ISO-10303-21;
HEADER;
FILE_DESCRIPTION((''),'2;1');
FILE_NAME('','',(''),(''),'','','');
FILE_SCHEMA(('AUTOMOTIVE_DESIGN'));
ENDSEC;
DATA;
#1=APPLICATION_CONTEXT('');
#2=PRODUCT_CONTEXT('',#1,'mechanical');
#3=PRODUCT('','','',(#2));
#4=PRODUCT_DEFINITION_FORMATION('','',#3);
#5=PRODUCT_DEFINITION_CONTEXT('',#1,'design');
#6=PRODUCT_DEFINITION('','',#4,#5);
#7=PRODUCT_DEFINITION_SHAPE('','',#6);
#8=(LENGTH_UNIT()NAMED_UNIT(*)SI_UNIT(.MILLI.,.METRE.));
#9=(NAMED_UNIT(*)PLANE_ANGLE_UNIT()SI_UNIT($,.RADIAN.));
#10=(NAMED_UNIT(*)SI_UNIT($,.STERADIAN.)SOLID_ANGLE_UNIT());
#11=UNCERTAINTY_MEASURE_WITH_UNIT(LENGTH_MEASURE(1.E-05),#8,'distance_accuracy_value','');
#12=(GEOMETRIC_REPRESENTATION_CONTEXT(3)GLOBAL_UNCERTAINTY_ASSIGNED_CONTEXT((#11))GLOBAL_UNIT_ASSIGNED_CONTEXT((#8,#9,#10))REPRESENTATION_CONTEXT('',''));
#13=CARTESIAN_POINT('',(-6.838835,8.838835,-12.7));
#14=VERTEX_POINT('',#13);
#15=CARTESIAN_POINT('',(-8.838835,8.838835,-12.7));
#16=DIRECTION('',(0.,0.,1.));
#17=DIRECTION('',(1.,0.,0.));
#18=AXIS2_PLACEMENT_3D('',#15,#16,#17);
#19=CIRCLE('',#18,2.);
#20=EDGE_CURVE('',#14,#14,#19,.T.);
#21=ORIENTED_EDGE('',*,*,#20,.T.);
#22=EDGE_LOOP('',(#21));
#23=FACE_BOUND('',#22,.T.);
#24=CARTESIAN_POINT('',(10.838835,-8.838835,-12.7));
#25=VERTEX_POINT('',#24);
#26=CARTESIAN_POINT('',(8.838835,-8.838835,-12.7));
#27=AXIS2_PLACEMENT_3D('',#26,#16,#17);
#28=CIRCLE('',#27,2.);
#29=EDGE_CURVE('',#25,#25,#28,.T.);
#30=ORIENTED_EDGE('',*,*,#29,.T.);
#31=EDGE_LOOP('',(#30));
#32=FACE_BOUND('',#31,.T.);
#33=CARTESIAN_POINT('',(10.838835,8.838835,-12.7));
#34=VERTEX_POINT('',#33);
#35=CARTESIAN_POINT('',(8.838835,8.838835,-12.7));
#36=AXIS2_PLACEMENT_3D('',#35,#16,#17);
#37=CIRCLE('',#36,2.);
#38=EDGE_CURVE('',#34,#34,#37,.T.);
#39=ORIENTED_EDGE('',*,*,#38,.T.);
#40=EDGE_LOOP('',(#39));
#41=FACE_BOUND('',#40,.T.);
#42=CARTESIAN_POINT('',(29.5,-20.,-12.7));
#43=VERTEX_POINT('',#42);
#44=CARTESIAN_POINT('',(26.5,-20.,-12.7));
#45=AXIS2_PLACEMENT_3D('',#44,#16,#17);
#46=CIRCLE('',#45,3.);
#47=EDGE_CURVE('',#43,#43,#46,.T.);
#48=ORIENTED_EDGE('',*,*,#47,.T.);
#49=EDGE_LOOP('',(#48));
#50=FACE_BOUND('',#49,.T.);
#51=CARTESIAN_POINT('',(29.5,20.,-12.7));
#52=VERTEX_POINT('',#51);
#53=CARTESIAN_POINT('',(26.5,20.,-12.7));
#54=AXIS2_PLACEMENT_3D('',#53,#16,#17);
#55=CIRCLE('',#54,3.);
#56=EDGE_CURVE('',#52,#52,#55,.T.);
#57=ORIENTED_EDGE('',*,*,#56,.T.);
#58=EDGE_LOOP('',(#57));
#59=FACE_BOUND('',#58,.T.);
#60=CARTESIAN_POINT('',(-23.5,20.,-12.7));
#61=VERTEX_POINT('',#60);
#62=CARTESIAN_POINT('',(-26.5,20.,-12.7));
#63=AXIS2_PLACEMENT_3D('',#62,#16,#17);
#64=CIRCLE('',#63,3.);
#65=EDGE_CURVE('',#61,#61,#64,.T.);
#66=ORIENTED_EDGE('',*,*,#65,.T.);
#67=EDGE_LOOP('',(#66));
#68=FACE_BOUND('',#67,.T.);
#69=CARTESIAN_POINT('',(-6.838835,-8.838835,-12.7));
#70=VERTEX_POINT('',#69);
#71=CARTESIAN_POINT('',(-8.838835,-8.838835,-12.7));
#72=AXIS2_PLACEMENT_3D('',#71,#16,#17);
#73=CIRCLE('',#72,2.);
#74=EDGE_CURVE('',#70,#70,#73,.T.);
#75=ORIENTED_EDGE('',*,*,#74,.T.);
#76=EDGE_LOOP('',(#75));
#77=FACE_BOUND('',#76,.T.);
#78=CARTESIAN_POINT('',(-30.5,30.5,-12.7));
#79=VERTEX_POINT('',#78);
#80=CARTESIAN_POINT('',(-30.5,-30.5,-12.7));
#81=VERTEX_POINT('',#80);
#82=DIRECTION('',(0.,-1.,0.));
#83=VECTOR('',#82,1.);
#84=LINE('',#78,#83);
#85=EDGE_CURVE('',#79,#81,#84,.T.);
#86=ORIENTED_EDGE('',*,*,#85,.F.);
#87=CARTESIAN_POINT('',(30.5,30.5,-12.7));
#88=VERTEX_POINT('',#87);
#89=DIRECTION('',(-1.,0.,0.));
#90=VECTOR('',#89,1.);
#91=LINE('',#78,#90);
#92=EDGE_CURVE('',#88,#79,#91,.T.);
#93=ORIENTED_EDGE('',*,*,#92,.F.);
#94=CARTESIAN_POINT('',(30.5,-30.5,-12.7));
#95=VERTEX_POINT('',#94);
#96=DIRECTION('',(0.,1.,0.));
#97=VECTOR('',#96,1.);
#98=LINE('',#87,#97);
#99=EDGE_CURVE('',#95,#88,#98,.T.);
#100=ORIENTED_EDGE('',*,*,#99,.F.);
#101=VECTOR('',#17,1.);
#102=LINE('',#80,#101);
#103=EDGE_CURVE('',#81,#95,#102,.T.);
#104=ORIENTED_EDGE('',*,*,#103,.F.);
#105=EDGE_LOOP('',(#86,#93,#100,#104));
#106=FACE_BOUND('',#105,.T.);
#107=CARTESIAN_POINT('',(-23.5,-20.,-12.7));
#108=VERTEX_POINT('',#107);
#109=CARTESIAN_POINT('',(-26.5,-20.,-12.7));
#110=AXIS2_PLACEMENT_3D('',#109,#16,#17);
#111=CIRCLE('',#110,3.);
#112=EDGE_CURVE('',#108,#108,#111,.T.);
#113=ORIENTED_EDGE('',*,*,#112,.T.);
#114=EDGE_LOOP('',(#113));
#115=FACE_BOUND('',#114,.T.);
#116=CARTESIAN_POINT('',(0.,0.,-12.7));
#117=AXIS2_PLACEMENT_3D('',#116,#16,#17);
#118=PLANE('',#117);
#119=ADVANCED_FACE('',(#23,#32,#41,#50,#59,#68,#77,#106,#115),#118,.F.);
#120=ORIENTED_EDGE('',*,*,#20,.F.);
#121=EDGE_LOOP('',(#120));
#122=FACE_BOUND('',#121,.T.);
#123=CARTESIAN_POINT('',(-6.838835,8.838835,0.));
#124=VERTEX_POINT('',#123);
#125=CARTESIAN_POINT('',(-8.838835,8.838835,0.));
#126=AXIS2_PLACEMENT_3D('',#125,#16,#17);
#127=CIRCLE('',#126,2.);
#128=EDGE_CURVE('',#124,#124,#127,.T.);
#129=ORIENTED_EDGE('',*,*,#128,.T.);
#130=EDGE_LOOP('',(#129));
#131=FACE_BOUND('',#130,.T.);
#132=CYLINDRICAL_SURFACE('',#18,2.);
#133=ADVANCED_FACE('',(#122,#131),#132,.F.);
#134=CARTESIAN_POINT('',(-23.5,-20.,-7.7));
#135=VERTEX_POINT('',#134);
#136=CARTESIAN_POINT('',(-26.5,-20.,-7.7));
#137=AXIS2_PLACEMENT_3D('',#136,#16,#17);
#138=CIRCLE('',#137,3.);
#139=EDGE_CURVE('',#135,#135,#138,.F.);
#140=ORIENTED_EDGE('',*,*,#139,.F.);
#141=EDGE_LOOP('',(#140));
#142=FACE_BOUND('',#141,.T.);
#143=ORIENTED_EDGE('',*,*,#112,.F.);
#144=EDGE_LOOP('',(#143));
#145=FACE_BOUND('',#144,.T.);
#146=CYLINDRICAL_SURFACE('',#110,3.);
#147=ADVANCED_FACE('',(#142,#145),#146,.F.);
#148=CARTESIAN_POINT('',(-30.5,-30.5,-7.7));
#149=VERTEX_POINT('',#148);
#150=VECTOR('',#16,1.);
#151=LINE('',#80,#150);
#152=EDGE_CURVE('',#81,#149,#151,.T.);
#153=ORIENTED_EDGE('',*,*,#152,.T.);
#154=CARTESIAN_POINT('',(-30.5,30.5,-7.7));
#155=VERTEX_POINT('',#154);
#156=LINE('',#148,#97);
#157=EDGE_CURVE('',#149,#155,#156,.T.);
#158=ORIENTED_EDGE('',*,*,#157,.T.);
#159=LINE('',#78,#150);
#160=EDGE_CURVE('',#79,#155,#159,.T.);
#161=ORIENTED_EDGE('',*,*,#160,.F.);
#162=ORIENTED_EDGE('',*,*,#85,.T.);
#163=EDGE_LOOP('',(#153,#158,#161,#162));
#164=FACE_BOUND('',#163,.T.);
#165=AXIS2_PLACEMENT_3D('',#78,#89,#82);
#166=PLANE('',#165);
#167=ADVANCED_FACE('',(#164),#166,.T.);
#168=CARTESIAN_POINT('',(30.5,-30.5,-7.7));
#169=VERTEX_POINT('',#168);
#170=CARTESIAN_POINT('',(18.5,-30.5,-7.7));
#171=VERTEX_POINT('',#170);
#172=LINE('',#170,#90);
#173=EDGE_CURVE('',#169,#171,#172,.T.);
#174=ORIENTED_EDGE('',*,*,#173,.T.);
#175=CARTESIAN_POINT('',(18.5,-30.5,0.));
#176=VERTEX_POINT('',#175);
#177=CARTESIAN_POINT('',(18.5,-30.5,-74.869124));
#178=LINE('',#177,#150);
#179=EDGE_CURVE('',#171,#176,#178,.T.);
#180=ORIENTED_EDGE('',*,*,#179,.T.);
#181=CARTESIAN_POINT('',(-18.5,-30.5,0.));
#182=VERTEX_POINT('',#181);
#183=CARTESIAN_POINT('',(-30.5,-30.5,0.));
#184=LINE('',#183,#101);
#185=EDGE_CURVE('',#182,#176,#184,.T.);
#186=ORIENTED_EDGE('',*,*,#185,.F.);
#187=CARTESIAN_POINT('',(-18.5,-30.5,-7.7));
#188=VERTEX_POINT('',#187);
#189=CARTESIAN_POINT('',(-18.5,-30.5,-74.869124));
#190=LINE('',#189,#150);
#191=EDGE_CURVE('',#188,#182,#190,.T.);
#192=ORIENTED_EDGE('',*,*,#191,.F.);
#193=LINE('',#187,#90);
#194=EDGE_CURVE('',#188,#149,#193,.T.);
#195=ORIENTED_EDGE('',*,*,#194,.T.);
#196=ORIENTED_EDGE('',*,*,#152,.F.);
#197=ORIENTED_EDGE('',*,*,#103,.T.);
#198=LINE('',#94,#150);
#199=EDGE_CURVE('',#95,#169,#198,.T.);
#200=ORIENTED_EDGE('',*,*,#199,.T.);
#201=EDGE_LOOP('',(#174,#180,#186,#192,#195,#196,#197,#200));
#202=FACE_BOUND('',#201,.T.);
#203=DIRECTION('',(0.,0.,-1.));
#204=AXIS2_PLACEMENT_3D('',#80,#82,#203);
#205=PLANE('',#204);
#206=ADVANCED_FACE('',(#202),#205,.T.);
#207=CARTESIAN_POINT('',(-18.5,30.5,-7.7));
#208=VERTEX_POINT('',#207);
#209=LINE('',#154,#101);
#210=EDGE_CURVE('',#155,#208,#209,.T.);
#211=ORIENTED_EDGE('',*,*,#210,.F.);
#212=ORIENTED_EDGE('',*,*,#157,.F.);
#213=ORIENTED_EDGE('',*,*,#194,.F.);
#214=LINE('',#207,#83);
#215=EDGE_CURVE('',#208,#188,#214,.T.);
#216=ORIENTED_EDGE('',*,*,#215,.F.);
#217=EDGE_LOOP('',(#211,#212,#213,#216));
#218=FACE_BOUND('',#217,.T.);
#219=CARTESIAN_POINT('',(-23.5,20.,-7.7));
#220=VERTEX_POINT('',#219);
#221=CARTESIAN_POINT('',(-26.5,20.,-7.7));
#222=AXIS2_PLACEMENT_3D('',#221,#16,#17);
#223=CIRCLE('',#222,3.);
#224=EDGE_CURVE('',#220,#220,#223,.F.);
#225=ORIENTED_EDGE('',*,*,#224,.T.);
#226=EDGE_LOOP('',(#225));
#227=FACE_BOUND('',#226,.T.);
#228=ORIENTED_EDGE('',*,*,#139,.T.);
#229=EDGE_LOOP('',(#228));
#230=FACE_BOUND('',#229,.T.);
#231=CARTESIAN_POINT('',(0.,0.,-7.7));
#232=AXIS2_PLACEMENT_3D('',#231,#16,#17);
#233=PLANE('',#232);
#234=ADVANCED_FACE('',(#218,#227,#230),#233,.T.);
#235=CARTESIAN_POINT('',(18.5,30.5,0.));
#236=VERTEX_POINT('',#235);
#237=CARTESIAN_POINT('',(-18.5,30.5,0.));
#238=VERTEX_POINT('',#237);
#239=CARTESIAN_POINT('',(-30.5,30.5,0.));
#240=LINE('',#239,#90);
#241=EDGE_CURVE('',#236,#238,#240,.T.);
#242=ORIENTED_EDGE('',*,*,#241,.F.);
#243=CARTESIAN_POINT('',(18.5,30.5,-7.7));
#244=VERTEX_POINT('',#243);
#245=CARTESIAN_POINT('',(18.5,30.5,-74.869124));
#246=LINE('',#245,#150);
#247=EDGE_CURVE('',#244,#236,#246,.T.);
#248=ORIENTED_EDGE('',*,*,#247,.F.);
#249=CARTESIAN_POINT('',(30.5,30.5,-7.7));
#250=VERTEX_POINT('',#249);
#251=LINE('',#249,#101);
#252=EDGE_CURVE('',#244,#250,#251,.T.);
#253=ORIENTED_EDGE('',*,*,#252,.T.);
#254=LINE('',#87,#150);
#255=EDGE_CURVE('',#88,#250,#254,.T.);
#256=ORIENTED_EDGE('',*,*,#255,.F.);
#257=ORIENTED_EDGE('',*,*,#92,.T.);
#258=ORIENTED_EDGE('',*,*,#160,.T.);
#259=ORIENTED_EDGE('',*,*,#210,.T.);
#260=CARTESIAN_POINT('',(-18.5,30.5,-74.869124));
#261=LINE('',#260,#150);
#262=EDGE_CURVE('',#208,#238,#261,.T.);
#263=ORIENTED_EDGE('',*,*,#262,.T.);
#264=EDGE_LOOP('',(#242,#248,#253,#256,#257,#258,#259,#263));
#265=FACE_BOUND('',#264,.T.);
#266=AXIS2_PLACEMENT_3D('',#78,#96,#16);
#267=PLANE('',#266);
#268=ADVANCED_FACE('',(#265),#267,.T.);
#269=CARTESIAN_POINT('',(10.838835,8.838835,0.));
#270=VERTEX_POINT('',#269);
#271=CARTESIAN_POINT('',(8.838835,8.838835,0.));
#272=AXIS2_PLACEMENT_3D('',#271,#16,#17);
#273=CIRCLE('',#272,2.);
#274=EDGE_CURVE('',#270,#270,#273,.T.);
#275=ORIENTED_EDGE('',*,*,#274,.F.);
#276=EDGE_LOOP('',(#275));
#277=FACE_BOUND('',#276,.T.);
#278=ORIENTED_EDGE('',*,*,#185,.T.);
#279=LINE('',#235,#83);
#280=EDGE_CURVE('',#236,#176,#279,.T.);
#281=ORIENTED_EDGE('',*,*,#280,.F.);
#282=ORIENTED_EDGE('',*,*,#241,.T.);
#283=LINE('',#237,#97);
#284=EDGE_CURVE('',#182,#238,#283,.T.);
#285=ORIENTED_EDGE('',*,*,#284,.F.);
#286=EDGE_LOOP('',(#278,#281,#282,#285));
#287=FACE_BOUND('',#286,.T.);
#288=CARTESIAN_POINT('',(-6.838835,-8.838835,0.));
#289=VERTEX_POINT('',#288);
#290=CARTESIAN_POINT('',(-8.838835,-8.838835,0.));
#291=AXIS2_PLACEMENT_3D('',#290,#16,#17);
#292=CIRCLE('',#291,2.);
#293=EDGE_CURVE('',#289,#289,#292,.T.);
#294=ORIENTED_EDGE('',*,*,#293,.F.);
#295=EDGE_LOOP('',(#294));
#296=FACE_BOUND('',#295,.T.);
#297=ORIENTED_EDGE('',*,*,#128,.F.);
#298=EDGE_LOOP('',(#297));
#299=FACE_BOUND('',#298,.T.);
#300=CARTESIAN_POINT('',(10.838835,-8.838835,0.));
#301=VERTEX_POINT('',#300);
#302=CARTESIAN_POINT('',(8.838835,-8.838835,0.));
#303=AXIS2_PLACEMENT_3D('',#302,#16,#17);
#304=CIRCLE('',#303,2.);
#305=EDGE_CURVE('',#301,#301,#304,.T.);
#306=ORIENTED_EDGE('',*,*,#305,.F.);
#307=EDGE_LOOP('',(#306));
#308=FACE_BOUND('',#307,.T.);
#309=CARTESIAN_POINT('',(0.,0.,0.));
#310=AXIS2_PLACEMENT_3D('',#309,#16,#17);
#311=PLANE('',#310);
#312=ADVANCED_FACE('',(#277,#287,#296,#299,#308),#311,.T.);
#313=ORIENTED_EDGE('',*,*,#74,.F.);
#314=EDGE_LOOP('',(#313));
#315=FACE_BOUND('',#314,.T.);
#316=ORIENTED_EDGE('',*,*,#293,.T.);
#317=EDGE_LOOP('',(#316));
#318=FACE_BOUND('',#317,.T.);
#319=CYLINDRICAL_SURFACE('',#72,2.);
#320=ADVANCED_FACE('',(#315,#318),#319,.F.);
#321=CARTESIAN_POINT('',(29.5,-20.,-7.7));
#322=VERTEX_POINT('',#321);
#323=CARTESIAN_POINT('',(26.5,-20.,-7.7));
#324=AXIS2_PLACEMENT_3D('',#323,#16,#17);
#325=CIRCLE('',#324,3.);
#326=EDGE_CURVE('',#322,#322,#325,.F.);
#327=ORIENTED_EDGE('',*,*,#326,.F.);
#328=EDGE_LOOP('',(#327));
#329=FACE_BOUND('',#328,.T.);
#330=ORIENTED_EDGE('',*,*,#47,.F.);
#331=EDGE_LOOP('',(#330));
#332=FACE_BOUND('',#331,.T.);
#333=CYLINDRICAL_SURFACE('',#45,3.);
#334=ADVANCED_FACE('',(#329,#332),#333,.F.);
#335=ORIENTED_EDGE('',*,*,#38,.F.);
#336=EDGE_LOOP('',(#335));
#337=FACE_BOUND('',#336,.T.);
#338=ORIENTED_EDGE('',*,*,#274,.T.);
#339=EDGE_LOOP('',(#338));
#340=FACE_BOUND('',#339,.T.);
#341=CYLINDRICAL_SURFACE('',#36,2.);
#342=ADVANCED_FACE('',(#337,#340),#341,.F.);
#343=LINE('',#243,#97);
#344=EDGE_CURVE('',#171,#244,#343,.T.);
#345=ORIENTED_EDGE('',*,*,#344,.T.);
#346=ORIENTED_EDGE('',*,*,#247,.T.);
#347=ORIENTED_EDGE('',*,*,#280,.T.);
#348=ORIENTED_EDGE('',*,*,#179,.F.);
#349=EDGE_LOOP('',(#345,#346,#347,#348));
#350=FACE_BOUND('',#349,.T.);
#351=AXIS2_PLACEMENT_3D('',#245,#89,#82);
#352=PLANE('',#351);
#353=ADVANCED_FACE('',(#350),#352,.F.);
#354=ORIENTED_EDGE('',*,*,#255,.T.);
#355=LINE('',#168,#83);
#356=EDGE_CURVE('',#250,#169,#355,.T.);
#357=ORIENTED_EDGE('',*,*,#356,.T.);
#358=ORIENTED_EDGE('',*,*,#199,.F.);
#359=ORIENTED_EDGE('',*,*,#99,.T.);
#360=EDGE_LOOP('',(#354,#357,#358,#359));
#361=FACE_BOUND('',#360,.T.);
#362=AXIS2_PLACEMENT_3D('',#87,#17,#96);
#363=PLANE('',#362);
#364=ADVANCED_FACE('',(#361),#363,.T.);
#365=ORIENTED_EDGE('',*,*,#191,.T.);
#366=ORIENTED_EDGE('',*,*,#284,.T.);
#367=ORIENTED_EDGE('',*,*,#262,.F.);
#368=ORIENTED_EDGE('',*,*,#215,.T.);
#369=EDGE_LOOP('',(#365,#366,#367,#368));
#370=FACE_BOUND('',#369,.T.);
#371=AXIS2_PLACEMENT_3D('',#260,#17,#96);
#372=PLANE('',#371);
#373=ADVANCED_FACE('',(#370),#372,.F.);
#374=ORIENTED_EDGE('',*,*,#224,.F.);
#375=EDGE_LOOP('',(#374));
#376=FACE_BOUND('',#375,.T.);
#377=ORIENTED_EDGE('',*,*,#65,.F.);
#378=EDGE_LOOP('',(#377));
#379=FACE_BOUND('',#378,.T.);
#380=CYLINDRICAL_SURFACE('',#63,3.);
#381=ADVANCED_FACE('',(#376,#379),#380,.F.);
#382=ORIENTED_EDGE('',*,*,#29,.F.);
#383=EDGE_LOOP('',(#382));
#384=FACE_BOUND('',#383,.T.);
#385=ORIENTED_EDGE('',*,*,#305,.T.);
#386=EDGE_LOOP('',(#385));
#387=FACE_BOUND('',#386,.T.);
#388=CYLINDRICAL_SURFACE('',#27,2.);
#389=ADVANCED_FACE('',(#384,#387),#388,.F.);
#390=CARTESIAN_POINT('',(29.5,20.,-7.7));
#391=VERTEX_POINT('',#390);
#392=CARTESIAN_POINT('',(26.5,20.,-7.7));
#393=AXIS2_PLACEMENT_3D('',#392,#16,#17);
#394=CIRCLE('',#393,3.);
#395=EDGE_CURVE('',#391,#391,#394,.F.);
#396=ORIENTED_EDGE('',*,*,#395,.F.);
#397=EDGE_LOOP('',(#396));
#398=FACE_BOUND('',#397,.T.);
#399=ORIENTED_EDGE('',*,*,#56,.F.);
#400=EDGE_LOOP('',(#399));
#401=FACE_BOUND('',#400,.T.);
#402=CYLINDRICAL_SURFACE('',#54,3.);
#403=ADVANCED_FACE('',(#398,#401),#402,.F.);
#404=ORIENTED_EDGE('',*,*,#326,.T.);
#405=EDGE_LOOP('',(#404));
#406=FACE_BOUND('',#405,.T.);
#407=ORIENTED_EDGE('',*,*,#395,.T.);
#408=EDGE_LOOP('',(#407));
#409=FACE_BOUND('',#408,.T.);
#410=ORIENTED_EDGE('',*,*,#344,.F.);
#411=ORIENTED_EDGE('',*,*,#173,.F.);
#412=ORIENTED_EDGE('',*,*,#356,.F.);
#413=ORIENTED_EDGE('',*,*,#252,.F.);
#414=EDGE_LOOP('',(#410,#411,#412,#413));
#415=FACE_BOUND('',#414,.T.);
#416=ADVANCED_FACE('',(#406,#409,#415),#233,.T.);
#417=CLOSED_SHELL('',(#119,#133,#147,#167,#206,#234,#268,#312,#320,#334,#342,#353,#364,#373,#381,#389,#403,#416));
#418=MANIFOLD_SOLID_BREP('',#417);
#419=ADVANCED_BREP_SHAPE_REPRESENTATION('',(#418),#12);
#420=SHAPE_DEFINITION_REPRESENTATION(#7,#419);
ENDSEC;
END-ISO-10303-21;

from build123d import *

# Parameters (mm, degrees)
SKETCH1_W           = 61
SKETCH1_H           = 61
BOSS_EXTRUDE1_DEPTH = 12.7
SKETCH2_R           = 2
CUT_EXTRUDE1_DEPTH  = 45.964319188
SKETCH3_R           = 3
CUT_EXTRUDE2_DEPTH  = 45.964319188
SKETCH4_W           = 12
SKETCH4_H           = 61
CUT_EXTRUDE3_DEPTH  = 7.7


with BuildPart() as part:
    # Sketch1 → Boss-Extrude1 (new body)
    with BuildSketch(Plane.XY):
        Rectangle(SKETCH1_W, SKETCH1_H)
    extrude(amount=-BOSS_EXTRUDE1_DEPTH)

    # Sketch2 → Cut-Extrude1 (cut, through all)
    with BuildSketch(Plane.XY):
        with Locations((8.838834765, 8.838834765)):
            Circle(SKETCH2_R)
        with Locations((-8.838834765, 8.838834765)):
            Circle(SKETCH2_R)
        with Locations((-8.838834765, -8.838834765)):
            Circle(SKETCH2_R)
        with Locations((8.838834765, -8.838834765)):
            Circle(SKETCH2_R)
    extrude(amount=-CUT_EXTRUDE1_DEPTH, mode=Mode.SUBTRACT)

    # Sketch3 → Cut-Extrude2 (cut, through all)
    with BuildSketch(Plane.XY):
        with Locations((26.5, 20)):
            Circle(SKETCH3_R)
        with Locations((26.5, -20)):
            Circle(SKETCH3_R)
        with Locations((-26.5, 20)):
            Circle(SKETCH3_R)
        with Locations((-26.5, -20)):
            Circle(SKETCH3_R)
    extrude(amount=-CUT_EXTRUDE2_DEPTH, mode=Mode.SUBTRACT)

    # Sketch4 → Cut-Extrude3 (cut)
    with BuildSketch(Plane.XY):
        with Locations((-24.5, 0)):
            Rectangle(SKETCH4_W, SKETCH4_H)
        with Locations((24.5, 0)):
            Rectangle(SKETCH4_W, SKETCH4_H)
    extrude(amount=-CUT_EXTRUDE3_DEPTH, mode=Mode.SUBTRACT)


solid = part.part
